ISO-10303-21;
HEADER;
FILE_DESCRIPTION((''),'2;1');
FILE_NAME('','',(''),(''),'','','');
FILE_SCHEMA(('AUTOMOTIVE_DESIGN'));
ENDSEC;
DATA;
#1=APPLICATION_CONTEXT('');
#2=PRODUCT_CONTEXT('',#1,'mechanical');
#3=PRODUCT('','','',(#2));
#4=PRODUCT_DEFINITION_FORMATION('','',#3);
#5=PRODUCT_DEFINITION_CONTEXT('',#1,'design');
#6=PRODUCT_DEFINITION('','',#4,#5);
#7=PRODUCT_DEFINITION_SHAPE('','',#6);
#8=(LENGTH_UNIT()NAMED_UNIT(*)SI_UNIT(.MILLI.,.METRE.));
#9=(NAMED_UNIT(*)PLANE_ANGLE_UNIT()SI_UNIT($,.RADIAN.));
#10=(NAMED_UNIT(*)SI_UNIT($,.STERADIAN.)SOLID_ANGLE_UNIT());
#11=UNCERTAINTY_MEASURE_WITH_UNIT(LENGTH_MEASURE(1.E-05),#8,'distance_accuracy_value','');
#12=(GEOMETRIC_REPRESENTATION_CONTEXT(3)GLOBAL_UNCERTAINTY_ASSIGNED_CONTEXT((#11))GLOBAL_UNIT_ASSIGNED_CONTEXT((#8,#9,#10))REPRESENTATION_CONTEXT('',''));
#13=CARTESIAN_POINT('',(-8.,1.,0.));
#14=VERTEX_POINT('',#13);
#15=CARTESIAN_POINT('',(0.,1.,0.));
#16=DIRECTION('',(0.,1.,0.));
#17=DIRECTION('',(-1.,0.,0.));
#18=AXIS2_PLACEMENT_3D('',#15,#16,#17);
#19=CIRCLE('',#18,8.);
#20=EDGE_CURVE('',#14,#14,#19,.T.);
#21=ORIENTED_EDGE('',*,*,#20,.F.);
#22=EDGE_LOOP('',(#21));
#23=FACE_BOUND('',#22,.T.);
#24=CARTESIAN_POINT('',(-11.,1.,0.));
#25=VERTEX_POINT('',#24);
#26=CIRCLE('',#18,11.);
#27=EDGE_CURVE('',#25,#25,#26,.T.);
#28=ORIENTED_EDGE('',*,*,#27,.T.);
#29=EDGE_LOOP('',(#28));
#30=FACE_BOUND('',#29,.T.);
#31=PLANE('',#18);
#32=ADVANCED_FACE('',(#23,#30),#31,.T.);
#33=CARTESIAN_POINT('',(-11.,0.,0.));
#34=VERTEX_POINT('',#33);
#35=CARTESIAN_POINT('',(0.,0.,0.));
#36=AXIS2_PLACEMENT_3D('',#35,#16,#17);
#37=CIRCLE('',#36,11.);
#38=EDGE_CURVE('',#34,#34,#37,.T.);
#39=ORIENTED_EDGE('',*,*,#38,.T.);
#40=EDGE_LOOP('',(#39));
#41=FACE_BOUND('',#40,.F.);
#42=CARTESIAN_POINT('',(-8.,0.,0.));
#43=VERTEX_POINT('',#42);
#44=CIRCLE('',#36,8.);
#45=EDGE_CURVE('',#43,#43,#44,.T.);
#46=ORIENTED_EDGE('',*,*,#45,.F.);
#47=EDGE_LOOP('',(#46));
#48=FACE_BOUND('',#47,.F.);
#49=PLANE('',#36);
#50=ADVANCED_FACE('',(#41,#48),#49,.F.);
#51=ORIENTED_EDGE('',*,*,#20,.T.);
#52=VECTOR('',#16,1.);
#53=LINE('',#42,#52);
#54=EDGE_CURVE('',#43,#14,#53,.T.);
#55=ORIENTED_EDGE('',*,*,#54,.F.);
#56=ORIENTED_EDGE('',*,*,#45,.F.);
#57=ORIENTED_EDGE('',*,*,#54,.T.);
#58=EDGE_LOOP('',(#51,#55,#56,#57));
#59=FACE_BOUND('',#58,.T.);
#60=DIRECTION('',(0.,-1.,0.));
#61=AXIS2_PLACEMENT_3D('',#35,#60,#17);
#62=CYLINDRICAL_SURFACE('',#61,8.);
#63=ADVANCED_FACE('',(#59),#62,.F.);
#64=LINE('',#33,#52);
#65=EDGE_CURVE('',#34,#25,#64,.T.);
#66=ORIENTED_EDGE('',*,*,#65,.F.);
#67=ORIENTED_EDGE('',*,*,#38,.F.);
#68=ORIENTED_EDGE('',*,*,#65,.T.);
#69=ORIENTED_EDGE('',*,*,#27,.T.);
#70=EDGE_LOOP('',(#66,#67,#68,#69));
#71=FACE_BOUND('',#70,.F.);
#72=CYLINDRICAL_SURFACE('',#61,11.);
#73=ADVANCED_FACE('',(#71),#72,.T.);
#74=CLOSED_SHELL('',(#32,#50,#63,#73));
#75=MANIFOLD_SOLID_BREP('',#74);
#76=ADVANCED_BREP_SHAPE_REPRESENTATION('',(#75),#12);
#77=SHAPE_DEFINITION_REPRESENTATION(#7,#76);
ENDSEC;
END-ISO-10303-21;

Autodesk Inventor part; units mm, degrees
ref_plane "YZ Plane" through (0, 0, 0) normal (1, 0, 0) x (0, 1, 0)
ref_plane "XZ Plane" through (0, 0, 0) normal (0, 1, 0) x (-1, 0, 0)
ref_plane "XY Plane" through (0, 0, 0) normal (0, 0, 1) x (1, 0, 0)
sketch "Sketch1" plane through (0, 0, 0) normal (0, 1, 0) x (-1, 0, 0)
  circle A0 centre (0, 0) radius 11
  circle A1 centre (0, 0) radius 8
  dimension "d0" = 22
  dimension "d1" = 16
extrude "Extrusion1" add sketch "Sketch1" along normal blind 1
properties part number "rubber_washer"
